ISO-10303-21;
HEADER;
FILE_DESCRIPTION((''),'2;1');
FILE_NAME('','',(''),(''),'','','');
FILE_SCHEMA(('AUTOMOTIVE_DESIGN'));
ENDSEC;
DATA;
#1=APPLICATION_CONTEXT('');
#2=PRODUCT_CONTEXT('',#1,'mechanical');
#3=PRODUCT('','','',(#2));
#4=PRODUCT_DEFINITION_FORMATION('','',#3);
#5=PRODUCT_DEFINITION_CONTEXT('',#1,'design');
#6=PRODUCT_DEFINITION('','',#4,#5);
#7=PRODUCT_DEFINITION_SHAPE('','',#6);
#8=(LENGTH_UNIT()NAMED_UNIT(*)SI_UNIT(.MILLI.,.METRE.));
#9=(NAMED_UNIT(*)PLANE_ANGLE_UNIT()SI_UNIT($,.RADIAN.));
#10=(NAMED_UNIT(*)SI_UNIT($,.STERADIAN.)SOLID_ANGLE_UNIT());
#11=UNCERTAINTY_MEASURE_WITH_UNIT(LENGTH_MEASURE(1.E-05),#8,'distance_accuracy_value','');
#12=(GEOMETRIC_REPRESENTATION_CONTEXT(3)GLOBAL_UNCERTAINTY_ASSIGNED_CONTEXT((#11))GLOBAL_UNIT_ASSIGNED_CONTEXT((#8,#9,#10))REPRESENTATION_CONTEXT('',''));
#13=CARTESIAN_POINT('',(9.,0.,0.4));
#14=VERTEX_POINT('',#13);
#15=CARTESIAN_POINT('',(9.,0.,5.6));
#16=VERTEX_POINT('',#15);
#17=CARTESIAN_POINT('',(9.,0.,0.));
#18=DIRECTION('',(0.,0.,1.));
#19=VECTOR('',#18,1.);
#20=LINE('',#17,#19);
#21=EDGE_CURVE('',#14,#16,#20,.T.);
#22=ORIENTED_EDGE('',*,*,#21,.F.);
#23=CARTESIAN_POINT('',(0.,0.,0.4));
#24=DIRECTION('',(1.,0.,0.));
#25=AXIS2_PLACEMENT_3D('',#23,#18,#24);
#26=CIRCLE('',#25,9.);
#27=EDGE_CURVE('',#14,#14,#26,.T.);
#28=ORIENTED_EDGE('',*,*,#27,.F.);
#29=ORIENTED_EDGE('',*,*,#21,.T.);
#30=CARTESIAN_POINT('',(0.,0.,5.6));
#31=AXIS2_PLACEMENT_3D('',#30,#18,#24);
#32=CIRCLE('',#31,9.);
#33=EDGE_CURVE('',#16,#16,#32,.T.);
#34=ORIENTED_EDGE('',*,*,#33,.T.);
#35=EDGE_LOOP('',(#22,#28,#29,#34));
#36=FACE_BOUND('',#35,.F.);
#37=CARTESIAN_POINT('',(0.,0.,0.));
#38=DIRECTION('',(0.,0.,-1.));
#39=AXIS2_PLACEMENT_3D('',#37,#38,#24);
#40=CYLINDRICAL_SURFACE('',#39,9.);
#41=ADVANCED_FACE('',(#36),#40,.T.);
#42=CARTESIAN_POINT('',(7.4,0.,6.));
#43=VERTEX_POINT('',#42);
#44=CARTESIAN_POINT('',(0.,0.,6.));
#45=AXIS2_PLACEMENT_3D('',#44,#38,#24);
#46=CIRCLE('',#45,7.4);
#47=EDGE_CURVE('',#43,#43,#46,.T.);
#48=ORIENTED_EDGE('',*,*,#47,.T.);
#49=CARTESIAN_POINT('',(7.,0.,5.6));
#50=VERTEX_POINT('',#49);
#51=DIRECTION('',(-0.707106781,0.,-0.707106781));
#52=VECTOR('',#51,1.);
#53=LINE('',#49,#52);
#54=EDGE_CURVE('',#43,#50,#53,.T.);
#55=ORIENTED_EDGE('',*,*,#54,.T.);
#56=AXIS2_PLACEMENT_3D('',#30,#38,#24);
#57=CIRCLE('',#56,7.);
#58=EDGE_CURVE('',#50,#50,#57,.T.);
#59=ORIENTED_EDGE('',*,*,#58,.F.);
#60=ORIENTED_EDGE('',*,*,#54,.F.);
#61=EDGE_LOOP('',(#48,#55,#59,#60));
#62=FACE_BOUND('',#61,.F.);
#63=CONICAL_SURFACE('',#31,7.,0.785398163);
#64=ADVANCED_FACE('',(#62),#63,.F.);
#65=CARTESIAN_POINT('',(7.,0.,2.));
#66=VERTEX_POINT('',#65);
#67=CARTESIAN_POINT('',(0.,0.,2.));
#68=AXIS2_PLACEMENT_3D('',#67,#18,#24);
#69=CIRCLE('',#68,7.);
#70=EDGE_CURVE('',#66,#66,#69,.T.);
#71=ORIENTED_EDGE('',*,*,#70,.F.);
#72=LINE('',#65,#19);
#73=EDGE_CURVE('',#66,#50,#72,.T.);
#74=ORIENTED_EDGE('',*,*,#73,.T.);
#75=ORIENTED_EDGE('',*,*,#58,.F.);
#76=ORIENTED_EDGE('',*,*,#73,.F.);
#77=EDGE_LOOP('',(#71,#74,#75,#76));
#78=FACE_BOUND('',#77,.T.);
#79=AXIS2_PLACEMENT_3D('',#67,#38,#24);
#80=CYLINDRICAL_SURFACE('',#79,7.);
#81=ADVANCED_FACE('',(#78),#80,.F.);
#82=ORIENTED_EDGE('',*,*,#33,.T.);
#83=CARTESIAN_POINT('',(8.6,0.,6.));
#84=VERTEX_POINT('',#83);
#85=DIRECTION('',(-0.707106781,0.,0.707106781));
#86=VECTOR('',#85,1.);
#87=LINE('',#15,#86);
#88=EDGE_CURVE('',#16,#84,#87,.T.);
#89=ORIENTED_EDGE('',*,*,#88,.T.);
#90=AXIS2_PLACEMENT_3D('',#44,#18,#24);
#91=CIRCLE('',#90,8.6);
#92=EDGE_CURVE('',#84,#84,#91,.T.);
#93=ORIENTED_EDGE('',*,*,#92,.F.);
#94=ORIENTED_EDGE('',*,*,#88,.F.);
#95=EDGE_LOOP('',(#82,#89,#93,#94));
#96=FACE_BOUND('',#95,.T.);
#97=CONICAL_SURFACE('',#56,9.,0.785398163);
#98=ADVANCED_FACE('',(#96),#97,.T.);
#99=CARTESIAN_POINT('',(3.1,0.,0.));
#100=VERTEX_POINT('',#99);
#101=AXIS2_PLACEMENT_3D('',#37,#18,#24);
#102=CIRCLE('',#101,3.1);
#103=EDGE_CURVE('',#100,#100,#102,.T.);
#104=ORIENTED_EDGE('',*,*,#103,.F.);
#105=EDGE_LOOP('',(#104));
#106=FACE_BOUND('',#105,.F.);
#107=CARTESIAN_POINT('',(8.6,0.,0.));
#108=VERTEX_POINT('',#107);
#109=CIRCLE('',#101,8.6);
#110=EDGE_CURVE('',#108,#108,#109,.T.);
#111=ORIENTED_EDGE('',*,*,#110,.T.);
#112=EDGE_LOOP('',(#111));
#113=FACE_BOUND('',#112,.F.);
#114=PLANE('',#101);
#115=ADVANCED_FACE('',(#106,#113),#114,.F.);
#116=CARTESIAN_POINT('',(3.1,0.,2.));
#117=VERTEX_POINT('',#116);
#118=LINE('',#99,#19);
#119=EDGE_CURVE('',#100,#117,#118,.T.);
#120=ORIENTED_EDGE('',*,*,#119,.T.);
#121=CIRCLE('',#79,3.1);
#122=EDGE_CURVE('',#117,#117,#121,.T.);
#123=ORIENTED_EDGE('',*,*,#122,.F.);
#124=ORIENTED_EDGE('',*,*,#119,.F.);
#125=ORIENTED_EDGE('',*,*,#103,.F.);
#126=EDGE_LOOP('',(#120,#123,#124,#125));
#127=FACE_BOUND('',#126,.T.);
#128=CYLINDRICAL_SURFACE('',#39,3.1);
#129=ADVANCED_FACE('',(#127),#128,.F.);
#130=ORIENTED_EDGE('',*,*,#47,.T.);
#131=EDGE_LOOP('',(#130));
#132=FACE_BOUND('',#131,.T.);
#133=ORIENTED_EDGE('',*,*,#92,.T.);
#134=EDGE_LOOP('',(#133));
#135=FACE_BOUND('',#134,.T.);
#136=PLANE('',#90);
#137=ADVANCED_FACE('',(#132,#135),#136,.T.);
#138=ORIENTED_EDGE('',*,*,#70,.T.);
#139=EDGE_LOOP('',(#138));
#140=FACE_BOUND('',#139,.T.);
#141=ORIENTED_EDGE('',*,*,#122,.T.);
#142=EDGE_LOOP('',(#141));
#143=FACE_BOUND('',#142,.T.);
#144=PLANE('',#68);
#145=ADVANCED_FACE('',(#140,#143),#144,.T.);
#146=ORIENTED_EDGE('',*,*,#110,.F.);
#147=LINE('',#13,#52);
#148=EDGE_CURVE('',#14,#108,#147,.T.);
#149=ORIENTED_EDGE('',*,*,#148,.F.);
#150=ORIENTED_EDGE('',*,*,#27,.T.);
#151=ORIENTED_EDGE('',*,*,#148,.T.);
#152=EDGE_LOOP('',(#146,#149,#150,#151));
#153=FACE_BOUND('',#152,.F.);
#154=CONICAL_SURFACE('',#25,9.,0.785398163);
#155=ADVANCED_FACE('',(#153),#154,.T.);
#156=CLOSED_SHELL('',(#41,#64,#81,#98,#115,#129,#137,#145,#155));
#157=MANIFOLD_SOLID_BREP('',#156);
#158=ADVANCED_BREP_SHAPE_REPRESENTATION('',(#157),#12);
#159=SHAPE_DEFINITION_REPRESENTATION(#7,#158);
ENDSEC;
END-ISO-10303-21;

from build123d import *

# Parameters (mm, degrees)
CYLINDER004_R     = 3.1
CYLINDER004_DEPTH = 10
CYLINDER002_R     = 7
CYLINDER002_DEPTH = 6
CYLINDER003_R     = 9
CYLINDER003_DEPTH = 6
CHAMFER002_SIZE   = 0.4


with BuildPart() as cylinder004:
    # Cylinder004 → Cylinder004 (new body)
    with BuildSketch(Plane.XY):
        Circle(CYLINDER004_R)
    extrude(amount=CYLINDER004_DEPTH)


with BuildPart() as cylinder002:
    # Cylinder002 → Cylinder002 (new body)
    with BuildSketch(Plane.XY.offset(2)):
        Circle(CYLINDER002_R)
    extrude(amount=CYLINDER002_DEPTH)


with BuildPart() as chamfer002:
    # Cylinder003 → Cylinder003 (new body)
    with BuildSketch(Plane.XY):
        Circle(CYLINDER003_R)
    extrude(amount=CYLINDER003_DEPTH)

    # Cut004: cut Cylinder002
    add(cylinder002.part, mode=Mode.SUBTRACT)

    # Cut005: cut Cylinder004
    add(cylinder004.part, mode=Mode.SUBTRACT)

    # Chamfer002
    chamfer002_edges = [chamfer002.edges().sort_by_distance(p)[0] for p in [
        (-9, 0, 6),
        (-9, 0, 0),
        (-7, 0, 6),
    ]]
    chamfer(chamfer002_edges, length=CHAMFER002_SIZE)


solid = chamfer002.part
